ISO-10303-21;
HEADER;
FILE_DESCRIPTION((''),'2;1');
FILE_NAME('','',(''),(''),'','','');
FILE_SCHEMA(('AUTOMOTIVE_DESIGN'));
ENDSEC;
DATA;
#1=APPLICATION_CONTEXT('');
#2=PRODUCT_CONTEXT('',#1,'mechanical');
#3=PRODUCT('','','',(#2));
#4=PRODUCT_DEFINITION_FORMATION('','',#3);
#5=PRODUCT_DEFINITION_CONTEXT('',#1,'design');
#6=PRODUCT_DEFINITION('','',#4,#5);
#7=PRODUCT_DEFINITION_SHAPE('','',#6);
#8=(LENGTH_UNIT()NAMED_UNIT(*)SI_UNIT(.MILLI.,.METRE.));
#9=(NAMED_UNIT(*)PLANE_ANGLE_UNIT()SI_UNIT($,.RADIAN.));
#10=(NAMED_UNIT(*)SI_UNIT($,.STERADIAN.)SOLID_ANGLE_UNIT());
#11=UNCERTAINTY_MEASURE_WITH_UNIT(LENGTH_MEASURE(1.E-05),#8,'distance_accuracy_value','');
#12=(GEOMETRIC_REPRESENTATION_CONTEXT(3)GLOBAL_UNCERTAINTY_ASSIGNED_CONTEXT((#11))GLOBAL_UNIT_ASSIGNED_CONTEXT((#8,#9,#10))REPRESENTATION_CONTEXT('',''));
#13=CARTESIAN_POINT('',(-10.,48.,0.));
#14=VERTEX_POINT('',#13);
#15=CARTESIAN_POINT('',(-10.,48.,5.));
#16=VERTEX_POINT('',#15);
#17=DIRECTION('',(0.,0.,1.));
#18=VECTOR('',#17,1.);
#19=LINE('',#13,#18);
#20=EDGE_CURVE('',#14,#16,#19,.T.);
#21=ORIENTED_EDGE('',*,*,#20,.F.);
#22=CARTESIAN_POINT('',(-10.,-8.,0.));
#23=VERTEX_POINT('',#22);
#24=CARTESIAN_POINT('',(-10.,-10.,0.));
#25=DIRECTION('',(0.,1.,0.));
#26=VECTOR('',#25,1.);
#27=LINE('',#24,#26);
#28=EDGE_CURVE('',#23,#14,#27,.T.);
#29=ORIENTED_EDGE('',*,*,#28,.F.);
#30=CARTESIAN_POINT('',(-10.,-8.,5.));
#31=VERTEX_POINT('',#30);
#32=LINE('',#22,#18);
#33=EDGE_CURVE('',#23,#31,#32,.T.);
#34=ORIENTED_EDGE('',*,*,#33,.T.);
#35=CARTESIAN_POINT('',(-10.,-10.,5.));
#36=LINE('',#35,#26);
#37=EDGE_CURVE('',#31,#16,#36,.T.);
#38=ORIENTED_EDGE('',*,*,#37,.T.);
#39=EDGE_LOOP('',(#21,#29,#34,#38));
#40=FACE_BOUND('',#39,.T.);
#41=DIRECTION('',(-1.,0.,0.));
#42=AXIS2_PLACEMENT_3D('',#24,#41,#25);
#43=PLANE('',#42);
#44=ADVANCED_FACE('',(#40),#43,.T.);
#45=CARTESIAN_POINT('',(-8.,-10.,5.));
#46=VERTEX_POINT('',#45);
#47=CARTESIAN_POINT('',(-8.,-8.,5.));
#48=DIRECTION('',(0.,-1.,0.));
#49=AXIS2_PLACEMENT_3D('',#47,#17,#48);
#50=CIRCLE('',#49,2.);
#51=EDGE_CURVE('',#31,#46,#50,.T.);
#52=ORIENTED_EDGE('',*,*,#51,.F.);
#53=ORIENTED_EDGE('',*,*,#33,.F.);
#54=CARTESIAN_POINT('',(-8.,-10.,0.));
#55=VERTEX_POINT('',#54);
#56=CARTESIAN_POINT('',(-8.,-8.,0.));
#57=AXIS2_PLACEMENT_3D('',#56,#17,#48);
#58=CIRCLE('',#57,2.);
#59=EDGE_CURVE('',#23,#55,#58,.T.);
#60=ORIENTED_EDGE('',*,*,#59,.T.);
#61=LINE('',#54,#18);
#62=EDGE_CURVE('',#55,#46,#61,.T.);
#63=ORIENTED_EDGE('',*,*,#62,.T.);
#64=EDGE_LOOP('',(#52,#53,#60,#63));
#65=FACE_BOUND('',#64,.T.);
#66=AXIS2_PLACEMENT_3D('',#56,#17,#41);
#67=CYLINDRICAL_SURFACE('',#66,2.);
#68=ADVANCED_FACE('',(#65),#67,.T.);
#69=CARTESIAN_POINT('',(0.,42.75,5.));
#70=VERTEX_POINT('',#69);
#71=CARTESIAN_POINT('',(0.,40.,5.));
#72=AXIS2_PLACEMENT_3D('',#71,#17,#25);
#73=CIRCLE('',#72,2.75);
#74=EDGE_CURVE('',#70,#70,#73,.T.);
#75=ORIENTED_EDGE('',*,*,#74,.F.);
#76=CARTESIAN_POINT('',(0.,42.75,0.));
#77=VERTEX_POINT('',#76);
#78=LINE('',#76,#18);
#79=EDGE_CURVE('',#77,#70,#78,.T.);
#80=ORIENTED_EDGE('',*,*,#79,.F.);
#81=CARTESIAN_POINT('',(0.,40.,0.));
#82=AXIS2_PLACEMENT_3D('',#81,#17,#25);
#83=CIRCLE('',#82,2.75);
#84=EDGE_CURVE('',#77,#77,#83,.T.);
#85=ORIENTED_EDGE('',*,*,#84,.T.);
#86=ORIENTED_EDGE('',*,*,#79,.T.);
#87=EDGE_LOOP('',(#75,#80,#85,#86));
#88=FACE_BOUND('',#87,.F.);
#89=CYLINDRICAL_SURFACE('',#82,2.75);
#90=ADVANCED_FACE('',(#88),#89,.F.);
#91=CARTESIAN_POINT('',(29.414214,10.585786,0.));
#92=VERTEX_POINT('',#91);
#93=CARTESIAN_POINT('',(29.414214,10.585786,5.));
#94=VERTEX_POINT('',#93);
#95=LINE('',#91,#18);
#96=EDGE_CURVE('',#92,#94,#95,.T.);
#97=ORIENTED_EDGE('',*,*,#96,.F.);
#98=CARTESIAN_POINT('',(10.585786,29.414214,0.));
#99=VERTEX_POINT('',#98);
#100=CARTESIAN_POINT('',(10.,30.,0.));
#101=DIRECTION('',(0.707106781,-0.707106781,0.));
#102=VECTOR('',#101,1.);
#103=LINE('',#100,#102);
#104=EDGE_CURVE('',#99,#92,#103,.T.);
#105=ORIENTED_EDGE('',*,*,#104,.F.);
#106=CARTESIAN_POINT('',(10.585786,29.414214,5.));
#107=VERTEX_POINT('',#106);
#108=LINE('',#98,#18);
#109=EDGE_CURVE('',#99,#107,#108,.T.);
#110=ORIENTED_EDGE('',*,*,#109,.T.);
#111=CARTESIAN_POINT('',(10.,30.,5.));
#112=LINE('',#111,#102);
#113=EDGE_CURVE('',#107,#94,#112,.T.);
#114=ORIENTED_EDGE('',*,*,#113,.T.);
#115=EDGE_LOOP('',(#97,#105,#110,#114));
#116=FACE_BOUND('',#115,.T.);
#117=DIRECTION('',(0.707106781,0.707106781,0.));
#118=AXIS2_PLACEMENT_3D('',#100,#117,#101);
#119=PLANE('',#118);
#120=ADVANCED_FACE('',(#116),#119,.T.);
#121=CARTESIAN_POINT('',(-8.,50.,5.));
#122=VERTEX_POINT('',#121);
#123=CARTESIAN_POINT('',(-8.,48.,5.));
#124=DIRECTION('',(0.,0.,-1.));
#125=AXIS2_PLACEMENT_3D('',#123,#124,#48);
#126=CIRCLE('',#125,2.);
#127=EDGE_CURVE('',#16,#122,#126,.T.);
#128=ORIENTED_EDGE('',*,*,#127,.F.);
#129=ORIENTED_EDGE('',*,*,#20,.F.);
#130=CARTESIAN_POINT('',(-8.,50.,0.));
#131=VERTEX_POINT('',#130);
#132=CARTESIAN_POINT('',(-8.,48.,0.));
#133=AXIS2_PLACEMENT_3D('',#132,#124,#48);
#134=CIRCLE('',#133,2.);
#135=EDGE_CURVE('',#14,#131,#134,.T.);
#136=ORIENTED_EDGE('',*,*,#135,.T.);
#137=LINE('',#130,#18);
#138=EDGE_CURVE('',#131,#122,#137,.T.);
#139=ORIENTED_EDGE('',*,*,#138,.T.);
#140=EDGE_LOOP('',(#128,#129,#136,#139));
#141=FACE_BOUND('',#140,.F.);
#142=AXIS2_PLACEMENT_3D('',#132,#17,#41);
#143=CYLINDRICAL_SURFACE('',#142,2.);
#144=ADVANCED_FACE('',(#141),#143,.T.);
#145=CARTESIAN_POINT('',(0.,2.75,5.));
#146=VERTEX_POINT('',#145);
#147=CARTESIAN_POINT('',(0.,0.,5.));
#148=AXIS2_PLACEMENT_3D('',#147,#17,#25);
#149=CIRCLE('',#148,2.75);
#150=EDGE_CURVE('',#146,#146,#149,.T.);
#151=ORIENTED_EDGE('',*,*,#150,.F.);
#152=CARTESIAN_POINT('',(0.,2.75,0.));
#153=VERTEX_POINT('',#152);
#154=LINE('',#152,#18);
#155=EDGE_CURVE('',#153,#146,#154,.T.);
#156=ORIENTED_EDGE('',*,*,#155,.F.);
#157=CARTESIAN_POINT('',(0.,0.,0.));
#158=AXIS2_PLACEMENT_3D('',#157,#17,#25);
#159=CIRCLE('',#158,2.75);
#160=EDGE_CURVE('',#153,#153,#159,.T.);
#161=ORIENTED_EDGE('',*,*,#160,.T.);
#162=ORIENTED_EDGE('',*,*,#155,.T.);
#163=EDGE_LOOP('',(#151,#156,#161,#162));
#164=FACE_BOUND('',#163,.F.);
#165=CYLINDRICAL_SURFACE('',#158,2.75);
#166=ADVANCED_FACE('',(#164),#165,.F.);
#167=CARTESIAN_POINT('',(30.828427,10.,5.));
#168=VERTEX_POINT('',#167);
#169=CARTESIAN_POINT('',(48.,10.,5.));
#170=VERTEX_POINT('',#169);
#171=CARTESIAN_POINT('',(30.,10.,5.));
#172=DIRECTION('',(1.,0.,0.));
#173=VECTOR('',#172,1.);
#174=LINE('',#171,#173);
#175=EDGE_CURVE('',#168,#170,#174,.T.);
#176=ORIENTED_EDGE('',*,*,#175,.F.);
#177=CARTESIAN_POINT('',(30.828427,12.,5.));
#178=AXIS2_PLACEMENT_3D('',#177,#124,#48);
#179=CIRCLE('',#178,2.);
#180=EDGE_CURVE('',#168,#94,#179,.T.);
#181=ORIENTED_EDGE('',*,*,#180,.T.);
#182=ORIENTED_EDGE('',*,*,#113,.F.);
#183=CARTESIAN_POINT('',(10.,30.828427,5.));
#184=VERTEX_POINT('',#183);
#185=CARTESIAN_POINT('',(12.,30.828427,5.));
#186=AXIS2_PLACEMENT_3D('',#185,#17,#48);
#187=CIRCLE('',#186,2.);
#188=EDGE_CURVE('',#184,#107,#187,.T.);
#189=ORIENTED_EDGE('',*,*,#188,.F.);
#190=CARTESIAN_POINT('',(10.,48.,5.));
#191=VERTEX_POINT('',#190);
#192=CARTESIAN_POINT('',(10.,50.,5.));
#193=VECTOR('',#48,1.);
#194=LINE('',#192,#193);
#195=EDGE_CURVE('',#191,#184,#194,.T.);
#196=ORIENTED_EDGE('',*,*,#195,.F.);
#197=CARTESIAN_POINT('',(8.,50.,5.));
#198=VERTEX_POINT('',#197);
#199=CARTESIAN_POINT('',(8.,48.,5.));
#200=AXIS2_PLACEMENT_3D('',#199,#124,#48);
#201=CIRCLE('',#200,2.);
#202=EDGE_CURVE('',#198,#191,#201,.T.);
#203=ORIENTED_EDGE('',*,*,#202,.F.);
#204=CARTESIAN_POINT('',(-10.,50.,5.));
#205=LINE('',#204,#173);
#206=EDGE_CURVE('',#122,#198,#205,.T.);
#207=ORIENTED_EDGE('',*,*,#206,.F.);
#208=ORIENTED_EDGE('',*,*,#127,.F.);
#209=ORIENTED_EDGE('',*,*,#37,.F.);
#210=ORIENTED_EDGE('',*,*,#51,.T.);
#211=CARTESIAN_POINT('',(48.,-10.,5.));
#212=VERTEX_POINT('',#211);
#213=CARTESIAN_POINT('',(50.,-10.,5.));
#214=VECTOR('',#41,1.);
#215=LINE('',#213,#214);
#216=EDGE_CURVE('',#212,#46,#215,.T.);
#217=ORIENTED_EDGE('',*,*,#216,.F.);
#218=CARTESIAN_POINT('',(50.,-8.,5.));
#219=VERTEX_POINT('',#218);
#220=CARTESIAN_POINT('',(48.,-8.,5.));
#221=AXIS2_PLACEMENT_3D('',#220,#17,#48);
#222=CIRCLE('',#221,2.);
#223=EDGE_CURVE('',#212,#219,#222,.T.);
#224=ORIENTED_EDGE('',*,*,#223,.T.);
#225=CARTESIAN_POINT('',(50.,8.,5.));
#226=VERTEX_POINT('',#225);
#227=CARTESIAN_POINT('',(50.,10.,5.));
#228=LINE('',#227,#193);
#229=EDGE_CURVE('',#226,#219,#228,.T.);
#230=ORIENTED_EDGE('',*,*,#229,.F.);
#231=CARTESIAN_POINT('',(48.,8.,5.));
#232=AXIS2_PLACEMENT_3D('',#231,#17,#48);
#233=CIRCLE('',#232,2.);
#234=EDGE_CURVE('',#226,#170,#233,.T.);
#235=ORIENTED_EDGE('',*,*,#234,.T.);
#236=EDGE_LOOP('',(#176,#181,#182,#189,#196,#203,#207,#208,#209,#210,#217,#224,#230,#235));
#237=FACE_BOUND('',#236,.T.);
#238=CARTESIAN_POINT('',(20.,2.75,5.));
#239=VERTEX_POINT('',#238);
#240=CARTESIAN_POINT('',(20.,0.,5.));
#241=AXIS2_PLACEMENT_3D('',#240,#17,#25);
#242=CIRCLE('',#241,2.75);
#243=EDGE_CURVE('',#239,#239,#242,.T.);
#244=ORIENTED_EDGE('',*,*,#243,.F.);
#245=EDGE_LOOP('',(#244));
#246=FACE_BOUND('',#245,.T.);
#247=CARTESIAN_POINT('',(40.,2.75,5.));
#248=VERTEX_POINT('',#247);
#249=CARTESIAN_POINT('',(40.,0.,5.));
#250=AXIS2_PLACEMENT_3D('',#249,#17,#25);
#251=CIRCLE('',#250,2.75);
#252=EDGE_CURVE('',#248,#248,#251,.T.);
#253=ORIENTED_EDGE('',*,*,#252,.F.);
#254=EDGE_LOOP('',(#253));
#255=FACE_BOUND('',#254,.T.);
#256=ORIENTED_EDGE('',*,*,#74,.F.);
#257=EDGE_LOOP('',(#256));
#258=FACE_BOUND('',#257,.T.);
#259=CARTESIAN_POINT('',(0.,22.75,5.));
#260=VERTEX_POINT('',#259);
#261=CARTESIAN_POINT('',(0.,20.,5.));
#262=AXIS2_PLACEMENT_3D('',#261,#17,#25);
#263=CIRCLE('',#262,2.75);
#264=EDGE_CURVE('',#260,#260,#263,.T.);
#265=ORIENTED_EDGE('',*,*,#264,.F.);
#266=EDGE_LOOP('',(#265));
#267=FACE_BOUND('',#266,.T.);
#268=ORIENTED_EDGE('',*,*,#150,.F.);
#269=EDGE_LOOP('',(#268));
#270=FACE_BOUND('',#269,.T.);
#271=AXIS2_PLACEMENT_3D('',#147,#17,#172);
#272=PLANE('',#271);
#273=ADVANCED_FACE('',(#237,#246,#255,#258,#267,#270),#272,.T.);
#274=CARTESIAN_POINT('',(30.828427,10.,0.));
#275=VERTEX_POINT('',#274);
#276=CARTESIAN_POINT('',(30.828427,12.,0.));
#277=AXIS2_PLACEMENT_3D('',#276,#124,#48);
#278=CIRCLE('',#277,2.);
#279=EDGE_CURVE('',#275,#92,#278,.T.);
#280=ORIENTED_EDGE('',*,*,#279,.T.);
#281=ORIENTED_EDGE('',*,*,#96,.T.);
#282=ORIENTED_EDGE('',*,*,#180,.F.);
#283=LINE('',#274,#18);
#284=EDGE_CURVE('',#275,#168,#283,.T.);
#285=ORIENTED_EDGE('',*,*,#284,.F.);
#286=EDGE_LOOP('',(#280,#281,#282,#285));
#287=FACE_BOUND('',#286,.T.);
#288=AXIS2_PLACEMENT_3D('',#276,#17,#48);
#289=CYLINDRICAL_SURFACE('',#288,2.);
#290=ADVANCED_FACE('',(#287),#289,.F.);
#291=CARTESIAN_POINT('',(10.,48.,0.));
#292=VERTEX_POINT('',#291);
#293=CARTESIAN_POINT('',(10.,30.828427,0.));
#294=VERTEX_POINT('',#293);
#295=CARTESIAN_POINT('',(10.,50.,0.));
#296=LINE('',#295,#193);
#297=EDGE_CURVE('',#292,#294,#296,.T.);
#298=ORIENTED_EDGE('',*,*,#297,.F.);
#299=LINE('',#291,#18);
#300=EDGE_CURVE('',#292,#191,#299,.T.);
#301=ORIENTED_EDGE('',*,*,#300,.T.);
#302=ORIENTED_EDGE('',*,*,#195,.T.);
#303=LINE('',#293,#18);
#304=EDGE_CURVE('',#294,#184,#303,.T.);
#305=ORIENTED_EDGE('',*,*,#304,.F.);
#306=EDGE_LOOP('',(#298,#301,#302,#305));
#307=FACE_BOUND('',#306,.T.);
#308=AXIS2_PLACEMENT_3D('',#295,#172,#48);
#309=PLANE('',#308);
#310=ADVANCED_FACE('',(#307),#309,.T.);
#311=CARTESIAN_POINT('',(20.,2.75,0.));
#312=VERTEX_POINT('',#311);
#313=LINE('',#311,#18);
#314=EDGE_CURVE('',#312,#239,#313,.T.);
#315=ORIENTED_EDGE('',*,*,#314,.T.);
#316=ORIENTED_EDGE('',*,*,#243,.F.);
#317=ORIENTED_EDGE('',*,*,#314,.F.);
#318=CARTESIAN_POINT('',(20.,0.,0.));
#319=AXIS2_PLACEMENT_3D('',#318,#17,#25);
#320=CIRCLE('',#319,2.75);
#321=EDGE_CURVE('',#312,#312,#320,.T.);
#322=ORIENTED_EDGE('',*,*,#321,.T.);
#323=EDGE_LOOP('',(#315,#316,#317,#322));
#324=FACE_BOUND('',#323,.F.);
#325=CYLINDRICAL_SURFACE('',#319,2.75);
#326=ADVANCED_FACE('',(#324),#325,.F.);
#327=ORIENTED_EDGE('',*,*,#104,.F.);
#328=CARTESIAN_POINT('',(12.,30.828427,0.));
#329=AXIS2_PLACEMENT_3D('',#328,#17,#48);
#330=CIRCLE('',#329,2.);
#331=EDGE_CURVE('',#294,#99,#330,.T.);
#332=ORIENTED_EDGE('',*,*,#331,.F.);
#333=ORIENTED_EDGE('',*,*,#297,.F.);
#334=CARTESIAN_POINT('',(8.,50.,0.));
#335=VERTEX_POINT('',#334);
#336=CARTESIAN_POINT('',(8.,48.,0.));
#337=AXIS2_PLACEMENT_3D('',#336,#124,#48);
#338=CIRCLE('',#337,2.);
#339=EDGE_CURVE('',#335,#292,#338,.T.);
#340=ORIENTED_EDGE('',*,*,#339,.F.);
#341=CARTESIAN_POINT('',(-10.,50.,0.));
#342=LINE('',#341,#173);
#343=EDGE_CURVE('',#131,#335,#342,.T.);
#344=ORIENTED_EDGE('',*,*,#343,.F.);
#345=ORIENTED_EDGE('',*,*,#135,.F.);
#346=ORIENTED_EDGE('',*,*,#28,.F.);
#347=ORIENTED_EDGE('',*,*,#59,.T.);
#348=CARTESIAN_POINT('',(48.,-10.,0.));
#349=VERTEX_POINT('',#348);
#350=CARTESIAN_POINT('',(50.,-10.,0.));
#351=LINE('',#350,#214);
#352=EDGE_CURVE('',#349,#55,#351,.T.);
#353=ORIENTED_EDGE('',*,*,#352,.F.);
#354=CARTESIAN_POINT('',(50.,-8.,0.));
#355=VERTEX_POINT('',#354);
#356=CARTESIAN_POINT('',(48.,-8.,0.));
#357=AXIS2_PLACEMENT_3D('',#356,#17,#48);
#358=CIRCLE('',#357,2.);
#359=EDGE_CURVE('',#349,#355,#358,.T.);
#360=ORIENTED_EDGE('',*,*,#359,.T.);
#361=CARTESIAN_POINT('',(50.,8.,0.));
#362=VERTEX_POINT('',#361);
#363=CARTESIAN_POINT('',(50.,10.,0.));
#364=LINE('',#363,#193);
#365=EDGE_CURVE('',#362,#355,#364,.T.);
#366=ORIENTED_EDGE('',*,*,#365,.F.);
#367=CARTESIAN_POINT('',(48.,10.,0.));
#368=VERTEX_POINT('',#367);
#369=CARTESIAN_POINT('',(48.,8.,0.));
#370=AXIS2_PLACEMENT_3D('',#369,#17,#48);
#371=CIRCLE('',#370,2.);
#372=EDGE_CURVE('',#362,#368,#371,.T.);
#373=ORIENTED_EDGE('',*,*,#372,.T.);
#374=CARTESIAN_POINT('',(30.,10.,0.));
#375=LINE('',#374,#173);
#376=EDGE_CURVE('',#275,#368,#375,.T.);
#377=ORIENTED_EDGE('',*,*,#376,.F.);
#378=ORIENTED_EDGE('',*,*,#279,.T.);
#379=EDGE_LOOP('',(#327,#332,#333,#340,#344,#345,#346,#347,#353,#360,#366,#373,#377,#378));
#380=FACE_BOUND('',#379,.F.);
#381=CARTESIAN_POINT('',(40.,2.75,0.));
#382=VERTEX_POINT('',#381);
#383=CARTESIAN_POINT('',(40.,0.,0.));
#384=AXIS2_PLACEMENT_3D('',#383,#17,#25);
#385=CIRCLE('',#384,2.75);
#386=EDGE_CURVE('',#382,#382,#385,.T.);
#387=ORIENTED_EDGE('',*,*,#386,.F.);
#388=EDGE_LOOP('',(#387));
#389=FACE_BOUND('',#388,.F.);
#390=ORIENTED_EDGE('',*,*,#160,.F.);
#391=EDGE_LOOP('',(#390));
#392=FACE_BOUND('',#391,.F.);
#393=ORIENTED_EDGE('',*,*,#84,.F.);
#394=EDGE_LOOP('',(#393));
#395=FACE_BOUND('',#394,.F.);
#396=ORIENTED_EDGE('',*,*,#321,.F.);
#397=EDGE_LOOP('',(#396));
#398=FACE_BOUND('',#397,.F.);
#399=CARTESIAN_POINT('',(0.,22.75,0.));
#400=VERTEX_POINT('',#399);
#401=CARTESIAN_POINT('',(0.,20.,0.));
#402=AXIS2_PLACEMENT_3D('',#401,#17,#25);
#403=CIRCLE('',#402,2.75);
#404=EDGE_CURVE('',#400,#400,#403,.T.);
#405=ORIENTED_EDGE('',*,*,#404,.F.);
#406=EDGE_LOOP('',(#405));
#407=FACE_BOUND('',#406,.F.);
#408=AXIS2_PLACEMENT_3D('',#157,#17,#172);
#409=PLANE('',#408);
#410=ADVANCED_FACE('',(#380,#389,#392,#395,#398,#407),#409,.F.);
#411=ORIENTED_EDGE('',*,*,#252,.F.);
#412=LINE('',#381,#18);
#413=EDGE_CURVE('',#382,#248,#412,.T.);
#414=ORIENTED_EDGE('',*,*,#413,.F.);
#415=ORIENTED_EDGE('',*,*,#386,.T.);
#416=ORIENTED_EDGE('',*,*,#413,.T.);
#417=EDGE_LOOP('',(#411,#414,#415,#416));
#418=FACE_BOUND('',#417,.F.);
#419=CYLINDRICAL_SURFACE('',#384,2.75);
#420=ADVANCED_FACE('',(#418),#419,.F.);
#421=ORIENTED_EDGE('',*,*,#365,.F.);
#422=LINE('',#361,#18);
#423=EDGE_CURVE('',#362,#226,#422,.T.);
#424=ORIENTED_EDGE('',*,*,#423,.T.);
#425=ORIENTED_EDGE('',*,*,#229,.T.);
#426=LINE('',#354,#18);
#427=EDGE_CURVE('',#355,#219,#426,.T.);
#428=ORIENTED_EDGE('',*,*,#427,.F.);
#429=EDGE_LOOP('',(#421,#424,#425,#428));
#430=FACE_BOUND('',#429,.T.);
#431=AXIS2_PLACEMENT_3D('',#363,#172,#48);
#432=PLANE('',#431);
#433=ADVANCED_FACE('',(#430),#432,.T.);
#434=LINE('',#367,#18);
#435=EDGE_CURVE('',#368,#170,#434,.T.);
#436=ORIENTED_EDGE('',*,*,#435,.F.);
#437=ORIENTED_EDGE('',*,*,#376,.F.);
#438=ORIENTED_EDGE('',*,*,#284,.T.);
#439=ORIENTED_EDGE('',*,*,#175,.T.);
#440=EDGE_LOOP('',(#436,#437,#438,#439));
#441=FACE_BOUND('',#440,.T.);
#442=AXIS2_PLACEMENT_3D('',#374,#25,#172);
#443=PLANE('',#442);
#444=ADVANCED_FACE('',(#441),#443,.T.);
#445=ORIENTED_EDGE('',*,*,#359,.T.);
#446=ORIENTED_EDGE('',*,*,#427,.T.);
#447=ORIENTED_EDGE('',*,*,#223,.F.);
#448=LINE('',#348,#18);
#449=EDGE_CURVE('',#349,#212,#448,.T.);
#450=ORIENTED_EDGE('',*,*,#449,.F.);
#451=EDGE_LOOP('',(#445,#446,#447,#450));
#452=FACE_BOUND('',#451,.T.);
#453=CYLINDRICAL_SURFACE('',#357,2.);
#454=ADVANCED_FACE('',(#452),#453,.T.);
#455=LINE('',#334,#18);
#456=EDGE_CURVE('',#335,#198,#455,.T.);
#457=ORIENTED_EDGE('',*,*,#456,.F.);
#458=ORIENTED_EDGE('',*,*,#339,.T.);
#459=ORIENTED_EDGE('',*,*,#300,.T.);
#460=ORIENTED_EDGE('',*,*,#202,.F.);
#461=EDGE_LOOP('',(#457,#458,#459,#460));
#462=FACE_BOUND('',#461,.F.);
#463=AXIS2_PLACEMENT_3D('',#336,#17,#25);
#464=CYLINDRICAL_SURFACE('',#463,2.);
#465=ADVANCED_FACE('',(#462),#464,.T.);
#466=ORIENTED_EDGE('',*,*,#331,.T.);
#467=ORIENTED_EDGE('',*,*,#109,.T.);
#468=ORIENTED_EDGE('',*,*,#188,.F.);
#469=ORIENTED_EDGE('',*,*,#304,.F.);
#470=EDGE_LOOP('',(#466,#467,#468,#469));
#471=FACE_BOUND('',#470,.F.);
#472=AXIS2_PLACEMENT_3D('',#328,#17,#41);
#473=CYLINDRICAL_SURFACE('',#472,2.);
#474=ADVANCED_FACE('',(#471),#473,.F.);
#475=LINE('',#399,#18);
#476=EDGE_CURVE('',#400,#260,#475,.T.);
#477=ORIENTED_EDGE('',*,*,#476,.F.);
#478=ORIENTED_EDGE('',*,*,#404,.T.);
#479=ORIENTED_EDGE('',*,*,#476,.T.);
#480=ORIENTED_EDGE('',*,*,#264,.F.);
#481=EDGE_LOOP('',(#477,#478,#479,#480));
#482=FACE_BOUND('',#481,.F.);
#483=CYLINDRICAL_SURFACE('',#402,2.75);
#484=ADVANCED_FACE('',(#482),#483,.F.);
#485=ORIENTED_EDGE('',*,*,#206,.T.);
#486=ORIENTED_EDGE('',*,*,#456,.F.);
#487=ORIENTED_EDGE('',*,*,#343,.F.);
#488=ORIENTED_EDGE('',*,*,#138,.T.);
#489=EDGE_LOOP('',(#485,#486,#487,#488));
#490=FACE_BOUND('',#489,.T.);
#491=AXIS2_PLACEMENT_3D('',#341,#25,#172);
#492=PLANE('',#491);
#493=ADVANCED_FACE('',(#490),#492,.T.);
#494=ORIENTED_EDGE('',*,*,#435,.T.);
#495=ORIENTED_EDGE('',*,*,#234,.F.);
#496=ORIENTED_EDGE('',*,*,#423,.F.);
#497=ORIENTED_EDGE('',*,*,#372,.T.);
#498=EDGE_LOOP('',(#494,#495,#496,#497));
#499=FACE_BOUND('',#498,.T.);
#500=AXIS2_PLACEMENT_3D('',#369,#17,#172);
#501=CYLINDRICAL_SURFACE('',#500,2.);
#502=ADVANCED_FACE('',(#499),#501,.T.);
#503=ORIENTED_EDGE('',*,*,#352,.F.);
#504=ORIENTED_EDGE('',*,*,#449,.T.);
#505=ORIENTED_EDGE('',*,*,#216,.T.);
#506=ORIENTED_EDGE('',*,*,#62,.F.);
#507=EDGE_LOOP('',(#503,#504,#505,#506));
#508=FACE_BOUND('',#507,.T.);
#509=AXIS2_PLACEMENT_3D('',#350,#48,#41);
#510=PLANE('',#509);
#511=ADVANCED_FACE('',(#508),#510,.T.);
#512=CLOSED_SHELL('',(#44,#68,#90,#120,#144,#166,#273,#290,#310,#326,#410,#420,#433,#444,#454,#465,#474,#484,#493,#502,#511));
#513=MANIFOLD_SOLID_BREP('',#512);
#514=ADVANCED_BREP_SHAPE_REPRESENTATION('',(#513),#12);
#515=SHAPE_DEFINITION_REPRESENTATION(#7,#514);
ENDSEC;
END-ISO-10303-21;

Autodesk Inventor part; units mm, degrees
ref_plane "YZ Plane" through (0, 0, 0) normal (1, 0, 0) x (0, 1, 0)
ref_plane "XZ Plane" through (0, 0, 0) normal (0, 1, 0) x (-1, 0, 0)
ref_plane "XY Plane" through (0, 0, 0) normal (0, 0, 1) x (1, 0, 0)
sketch "Sketch2" plane through (0, 0, 0) normal (0, 0, 1) x (1, 0, 0)
  line L0 (0, 0) -> (0, 20) construction
  line L1 (0, 20) -> (0, 40) construction
  line L2 (0, 0) -> (20, 0) construction
  line L3 (20, 0) -> (40, 0) construction
  line L4 (-10, -10) -> (-10, 50)
  line L5 (-10, 50) -> (10, 50)
  line L6 (10, 50) -> (10, 30)
  line L7 (10, 30) -> (30, 10)
  line L8 (30, 10) -> (50, 10)
  line L9 (50, 10) -> (50, -10)
  line L10 (50, -10) -> (-10, -10)
  dimension "d0" = 20
  dimension "d1" = 20
  dimension "d2" = 60
  dimension "d3" = 10
  dimension "d4" = 10
  dimension "d5" = 10
extrude "Extrusion1" add sketch "Sketch2" along normal blind 5
hole "Hole1" at (0, 40, 0) at (0, 20, 0) at (20, 0, 0) at (40, 0, 0) at (0, 0, 0) direction (0, 0, 1) diameter 5.5 end through all clearance for "Flat Head Machine Screw" size "M5" standard "Ansi Metric M Profile"
fillet "Fillet1" radius 2 7 edges at (-10, 50, 2.5) (10, 50, 2.5) (10, 30, 2.5) (-10, -10, 2.5) (30, 10, 2.5) (50, 10, 2.5) (50, -10, 2.5)
properties part number "6060L"
